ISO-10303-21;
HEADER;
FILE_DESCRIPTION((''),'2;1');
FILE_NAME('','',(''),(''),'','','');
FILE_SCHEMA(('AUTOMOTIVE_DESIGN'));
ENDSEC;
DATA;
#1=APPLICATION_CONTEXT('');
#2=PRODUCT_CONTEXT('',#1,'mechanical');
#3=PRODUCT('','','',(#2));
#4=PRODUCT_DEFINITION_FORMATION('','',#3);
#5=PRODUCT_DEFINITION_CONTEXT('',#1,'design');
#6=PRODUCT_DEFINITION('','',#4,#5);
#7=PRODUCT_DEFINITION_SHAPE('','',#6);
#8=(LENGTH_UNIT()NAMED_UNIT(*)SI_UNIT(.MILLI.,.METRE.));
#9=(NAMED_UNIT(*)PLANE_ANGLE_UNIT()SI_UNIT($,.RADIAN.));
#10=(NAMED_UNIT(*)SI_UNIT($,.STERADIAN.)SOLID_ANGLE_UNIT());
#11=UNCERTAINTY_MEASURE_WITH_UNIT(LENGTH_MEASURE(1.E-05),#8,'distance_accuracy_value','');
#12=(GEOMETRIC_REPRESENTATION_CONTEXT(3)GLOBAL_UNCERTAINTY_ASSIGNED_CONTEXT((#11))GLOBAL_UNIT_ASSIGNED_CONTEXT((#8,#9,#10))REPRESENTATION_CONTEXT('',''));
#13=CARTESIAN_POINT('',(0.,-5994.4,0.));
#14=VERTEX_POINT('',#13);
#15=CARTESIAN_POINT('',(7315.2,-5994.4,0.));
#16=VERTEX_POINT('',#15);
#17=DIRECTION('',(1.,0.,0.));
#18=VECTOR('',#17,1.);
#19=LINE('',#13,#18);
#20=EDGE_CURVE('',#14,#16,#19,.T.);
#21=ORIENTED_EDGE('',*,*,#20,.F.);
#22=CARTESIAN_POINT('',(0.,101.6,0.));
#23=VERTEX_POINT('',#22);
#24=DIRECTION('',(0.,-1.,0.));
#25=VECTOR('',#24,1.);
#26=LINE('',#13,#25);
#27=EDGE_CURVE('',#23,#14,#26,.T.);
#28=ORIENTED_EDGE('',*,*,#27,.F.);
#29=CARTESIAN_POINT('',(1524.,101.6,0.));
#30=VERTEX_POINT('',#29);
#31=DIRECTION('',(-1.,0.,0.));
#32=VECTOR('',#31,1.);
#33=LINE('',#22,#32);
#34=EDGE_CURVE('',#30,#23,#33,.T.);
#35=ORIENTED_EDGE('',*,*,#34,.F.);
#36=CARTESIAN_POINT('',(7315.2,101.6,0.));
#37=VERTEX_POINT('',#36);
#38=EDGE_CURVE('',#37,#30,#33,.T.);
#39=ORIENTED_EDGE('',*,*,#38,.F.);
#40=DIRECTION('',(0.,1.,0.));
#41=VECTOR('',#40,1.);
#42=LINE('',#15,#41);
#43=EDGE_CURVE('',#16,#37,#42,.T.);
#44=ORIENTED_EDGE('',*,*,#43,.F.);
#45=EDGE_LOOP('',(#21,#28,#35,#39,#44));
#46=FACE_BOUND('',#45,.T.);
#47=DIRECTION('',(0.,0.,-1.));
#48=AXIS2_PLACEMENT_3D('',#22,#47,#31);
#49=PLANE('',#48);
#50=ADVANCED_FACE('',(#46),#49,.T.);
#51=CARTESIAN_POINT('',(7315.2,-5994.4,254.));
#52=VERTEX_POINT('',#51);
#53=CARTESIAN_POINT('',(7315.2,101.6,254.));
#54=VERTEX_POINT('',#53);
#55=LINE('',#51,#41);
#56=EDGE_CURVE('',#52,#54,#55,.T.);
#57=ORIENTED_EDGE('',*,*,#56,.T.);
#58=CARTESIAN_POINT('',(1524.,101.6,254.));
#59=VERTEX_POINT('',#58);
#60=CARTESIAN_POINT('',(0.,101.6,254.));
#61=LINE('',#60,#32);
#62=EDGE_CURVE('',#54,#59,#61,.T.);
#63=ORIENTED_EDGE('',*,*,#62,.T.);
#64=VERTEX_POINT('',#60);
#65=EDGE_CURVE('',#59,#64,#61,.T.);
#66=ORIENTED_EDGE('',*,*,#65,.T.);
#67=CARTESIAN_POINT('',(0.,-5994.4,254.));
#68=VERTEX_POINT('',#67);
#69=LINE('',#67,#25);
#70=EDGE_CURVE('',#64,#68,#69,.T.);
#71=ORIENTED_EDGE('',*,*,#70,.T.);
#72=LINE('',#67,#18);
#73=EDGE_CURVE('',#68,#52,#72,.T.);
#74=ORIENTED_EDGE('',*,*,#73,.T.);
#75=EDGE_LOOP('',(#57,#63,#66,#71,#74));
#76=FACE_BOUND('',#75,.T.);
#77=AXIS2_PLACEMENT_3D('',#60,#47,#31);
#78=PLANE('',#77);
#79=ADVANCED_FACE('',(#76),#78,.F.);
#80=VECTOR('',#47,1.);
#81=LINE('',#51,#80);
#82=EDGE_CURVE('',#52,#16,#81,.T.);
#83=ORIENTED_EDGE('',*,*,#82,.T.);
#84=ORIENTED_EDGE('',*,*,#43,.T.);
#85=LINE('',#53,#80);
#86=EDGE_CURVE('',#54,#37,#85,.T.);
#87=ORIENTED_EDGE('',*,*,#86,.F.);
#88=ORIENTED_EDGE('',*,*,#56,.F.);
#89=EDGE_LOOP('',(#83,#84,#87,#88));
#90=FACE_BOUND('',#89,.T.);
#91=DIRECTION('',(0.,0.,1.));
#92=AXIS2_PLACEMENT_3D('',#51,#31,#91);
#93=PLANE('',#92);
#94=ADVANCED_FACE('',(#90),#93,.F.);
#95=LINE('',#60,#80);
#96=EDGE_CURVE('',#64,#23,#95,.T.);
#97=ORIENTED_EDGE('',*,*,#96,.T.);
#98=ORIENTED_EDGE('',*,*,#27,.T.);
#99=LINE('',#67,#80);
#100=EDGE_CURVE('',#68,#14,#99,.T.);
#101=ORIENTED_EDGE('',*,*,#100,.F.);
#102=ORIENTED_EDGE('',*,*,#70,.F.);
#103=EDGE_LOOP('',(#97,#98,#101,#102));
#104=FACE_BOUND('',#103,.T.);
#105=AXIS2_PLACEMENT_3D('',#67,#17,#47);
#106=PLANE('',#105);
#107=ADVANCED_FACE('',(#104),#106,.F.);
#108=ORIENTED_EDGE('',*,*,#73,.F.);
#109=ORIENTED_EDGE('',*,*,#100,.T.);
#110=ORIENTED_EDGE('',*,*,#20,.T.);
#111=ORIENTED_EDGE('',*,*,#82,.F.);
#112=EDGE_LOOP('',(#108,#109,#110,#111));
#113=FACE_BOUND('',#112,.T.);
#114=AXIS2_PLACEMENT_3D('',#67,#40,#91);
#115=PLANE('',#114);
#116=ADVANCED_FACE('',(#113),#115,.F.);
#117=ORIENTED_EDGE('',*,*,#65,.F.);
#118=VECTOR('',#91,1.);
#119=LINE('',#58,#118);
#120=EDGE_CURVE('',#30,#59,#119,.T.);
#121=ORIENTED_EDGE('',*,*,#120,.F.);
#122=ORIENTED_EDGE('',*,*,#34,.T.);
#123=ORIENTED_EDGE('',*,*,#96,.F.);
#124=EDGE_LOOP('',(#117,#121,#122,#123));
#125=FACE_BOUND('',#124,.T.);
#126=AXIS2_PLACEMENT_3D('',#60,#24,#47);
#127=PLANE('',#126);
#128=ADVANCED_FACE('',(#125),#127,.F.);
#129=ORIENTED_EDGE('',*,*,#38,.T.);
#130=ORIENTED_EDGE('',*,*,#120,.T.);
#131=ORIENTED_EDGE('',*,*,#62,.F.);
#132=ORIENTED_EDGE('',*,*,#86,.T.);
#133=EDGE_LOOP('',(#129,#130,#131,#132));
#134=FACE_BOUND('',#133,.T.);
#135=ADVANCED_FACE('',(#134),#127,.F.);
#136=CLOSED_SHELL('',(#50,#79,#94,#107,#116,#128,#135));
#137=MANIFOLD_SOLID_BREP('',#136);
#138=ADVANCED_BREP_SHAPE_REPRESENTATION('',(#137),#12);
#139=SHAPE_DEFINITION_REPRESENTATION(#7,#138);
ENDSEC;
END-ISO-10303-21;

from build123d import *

# Parameters (mm, degrees)
SKETCH1_W      = 7315.2
SKETCH1_H      = 6096
EXTRUDE1_DEPTH = 254


with BuildPart() as part:
    # Sketch1 → Extrude1 (new body)
    with BuildSketch(Plane.XY):
        with Locations((3657.6, -2946.4)):
            Rectangle(SKETCH1_W, SKETCH1_H)
    extrude(amount=EXTRUDE1_DEPTH)


solid = part.part
